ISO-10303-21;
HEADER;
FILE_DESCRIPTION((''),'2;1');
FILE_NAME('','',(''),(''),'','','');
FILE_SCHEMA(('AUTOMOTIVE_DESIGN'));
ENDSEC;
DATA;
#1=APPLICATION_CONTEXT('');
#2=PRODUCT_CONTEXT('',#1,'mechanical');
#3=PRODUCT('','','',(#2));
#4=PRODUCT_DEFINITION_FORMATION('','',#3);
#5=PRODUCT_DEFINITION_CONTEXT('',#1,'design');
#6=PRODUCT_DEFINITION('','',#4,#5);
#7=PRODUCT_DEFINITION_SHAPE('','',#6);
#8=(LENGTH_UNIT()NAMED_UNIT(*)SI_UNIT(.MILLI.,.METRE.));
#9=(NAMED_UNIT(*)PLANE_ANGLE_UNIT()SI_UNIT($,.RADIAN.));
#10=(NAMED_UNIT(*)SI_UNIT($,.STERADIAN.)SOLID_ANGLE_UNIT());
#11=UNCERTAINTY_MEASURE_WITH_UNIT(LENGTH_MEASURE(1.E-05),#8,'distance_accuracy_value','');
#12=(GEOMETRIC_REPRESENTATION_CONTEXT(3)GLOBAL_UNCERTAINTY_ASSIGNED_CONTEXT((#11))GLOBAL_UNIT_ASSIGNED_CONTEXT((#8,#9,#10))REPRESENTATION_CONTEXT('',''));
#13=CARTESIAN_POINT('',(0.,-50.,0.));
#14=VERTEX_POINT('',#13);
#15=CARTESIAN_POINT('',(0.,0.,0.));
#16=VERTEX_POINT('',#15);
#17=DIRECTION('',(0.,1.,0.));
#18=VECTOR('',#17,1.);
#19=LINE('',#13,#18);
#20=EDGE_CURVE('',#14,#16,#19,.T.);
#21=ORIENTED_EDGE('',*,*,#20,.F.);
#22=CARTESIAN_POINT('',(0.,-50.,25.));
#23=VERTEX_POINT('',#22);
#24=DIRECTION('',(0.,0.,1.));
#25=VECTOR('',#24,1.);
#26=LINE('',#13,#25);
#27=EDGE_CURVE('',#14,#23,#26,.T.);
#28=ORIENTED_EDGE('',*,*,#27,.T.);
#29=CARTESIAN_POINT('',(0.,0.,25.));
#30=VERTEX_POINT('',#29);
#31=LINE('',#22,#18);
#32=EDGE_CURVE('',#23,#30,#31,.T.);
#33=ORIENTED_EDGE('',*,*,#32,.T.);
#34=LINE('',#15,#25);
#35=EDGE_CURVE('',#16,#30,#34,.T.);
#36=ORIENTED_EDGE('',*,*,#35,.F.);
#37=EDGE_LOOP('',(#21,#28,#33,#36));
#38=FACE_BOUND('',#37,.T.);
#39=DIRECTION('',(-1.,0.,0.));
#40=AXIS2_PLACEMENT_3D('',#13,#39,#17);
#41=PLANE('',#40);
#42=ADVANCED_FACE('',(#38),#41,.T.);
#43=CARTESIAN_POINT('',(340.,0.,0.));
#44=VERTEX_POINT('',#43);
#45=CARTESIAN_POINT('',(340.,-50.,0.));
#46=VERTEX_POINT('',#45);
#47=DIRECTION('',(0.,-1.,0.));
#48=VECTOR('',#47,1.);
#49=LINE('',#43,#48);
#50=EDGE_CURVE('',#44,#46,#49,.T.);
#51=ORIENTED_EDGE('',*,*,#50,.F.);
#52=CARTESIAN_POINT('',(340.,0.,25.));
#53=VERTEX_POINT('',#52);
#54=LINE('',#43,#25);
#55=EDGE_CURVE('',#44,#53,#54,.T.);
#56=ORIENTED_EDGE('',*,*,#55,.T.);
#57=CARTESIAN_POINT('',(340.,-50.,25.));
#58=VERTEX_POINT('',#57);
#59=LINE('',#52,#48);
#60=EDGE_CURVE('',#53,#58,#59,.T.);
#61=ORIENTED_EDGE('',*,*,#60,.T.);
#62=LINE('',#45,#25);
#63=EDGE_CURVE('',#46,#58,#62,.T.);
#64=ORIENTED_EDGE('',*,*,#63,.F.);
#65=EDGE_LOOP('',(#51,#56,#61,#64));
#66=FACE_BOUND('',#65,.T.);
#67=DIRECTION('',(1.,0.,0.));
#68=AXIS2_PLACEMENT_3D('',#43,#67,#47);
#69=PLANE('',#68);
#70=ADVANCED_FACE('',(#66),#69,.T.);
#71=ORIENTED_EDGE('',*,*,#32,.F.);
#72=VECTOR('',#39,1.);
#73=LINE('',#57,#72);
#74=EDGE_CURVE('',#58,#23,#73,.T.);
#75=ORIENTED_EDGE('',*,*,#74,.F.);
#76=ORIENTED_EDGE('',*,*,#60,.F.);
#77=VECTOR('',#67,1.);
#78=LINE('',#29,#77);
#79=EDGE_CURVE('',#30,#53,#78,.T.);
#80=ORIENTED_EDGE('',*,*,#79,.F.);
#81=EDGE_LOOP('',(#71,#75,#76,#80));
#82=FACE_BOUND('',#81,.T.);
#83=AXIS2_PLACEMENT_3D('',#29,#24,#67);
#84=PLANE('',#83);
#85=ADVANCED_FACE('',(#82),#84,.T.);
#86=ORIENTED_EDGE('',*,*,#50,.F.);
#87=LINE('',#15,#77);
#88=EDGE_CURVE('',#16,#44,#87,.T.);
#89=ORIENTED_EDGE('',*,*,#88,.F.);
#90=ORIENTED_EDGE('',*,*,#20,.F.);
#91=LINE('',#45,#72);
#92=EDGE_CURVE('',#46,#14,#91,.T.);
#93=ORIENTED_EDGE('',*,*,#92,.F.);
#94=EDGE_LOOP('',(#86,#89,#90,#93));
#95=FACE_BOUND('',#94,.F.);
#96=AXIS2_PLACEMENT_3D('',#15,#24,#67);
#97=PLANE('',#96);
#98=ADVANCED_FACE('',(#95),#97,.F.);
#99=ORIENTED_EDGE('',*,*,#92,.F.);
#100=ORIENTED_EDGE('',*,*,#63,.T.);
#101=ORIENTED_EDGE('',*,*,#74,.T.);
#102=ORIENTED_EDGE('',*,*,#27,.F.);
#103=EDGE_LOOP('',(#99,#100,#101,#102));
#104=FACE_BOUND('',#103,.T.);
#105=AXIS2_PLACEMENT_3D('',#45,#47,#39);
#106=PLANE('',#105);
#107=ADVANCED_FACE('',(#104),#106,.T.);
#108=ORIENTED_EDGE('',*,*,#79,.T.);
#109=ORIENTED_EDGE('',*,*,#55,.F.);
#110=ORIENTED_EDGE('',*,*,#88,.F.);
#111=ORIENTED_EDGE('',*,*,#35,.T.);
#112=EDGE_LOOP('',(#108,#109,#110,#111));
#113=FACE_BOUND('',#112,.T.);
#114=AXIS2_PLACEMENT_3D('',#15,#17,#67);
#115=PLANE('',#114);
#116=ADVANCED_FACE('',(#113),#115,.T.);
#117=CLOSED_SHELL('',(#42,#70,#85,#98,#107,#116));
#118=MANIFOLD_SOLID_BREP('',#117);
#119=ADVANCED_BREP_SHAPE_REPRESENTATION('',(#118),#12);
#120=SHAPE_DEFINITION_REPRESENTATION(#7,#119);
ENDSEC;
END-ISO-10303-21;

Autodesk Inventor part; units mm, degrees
ref_plane "YZ Plane" through (0, 0, 0) normal (1, 0, 0) x (0, 1, 0)
ref_plane "XZ Plane" through (0, 0, 0) normal (0, 1, 0) x (-1, 0, 0)
ref_plane "XY Plane" through (0, 0, 0) normal (0, 0, 1) x (1, 0, 0)
sketch "スケッチ1" plane through (0, 0, 0) normal (0, 0, 1) x (1, 0, 0)
  line L0 (0, 0) -> (340, 0)
  line L1 (340, 0) -> (340, -50)
  line L2 (340, -50) -> (0, -50)
  line L3 (0, -50) -> (0, 0)
  dimension "d0" = 340
  dimension "d1" = 50
extrude "押し出し1" add sketch "スケッチ1" along normal blind 25
properties part number "アーム板"
